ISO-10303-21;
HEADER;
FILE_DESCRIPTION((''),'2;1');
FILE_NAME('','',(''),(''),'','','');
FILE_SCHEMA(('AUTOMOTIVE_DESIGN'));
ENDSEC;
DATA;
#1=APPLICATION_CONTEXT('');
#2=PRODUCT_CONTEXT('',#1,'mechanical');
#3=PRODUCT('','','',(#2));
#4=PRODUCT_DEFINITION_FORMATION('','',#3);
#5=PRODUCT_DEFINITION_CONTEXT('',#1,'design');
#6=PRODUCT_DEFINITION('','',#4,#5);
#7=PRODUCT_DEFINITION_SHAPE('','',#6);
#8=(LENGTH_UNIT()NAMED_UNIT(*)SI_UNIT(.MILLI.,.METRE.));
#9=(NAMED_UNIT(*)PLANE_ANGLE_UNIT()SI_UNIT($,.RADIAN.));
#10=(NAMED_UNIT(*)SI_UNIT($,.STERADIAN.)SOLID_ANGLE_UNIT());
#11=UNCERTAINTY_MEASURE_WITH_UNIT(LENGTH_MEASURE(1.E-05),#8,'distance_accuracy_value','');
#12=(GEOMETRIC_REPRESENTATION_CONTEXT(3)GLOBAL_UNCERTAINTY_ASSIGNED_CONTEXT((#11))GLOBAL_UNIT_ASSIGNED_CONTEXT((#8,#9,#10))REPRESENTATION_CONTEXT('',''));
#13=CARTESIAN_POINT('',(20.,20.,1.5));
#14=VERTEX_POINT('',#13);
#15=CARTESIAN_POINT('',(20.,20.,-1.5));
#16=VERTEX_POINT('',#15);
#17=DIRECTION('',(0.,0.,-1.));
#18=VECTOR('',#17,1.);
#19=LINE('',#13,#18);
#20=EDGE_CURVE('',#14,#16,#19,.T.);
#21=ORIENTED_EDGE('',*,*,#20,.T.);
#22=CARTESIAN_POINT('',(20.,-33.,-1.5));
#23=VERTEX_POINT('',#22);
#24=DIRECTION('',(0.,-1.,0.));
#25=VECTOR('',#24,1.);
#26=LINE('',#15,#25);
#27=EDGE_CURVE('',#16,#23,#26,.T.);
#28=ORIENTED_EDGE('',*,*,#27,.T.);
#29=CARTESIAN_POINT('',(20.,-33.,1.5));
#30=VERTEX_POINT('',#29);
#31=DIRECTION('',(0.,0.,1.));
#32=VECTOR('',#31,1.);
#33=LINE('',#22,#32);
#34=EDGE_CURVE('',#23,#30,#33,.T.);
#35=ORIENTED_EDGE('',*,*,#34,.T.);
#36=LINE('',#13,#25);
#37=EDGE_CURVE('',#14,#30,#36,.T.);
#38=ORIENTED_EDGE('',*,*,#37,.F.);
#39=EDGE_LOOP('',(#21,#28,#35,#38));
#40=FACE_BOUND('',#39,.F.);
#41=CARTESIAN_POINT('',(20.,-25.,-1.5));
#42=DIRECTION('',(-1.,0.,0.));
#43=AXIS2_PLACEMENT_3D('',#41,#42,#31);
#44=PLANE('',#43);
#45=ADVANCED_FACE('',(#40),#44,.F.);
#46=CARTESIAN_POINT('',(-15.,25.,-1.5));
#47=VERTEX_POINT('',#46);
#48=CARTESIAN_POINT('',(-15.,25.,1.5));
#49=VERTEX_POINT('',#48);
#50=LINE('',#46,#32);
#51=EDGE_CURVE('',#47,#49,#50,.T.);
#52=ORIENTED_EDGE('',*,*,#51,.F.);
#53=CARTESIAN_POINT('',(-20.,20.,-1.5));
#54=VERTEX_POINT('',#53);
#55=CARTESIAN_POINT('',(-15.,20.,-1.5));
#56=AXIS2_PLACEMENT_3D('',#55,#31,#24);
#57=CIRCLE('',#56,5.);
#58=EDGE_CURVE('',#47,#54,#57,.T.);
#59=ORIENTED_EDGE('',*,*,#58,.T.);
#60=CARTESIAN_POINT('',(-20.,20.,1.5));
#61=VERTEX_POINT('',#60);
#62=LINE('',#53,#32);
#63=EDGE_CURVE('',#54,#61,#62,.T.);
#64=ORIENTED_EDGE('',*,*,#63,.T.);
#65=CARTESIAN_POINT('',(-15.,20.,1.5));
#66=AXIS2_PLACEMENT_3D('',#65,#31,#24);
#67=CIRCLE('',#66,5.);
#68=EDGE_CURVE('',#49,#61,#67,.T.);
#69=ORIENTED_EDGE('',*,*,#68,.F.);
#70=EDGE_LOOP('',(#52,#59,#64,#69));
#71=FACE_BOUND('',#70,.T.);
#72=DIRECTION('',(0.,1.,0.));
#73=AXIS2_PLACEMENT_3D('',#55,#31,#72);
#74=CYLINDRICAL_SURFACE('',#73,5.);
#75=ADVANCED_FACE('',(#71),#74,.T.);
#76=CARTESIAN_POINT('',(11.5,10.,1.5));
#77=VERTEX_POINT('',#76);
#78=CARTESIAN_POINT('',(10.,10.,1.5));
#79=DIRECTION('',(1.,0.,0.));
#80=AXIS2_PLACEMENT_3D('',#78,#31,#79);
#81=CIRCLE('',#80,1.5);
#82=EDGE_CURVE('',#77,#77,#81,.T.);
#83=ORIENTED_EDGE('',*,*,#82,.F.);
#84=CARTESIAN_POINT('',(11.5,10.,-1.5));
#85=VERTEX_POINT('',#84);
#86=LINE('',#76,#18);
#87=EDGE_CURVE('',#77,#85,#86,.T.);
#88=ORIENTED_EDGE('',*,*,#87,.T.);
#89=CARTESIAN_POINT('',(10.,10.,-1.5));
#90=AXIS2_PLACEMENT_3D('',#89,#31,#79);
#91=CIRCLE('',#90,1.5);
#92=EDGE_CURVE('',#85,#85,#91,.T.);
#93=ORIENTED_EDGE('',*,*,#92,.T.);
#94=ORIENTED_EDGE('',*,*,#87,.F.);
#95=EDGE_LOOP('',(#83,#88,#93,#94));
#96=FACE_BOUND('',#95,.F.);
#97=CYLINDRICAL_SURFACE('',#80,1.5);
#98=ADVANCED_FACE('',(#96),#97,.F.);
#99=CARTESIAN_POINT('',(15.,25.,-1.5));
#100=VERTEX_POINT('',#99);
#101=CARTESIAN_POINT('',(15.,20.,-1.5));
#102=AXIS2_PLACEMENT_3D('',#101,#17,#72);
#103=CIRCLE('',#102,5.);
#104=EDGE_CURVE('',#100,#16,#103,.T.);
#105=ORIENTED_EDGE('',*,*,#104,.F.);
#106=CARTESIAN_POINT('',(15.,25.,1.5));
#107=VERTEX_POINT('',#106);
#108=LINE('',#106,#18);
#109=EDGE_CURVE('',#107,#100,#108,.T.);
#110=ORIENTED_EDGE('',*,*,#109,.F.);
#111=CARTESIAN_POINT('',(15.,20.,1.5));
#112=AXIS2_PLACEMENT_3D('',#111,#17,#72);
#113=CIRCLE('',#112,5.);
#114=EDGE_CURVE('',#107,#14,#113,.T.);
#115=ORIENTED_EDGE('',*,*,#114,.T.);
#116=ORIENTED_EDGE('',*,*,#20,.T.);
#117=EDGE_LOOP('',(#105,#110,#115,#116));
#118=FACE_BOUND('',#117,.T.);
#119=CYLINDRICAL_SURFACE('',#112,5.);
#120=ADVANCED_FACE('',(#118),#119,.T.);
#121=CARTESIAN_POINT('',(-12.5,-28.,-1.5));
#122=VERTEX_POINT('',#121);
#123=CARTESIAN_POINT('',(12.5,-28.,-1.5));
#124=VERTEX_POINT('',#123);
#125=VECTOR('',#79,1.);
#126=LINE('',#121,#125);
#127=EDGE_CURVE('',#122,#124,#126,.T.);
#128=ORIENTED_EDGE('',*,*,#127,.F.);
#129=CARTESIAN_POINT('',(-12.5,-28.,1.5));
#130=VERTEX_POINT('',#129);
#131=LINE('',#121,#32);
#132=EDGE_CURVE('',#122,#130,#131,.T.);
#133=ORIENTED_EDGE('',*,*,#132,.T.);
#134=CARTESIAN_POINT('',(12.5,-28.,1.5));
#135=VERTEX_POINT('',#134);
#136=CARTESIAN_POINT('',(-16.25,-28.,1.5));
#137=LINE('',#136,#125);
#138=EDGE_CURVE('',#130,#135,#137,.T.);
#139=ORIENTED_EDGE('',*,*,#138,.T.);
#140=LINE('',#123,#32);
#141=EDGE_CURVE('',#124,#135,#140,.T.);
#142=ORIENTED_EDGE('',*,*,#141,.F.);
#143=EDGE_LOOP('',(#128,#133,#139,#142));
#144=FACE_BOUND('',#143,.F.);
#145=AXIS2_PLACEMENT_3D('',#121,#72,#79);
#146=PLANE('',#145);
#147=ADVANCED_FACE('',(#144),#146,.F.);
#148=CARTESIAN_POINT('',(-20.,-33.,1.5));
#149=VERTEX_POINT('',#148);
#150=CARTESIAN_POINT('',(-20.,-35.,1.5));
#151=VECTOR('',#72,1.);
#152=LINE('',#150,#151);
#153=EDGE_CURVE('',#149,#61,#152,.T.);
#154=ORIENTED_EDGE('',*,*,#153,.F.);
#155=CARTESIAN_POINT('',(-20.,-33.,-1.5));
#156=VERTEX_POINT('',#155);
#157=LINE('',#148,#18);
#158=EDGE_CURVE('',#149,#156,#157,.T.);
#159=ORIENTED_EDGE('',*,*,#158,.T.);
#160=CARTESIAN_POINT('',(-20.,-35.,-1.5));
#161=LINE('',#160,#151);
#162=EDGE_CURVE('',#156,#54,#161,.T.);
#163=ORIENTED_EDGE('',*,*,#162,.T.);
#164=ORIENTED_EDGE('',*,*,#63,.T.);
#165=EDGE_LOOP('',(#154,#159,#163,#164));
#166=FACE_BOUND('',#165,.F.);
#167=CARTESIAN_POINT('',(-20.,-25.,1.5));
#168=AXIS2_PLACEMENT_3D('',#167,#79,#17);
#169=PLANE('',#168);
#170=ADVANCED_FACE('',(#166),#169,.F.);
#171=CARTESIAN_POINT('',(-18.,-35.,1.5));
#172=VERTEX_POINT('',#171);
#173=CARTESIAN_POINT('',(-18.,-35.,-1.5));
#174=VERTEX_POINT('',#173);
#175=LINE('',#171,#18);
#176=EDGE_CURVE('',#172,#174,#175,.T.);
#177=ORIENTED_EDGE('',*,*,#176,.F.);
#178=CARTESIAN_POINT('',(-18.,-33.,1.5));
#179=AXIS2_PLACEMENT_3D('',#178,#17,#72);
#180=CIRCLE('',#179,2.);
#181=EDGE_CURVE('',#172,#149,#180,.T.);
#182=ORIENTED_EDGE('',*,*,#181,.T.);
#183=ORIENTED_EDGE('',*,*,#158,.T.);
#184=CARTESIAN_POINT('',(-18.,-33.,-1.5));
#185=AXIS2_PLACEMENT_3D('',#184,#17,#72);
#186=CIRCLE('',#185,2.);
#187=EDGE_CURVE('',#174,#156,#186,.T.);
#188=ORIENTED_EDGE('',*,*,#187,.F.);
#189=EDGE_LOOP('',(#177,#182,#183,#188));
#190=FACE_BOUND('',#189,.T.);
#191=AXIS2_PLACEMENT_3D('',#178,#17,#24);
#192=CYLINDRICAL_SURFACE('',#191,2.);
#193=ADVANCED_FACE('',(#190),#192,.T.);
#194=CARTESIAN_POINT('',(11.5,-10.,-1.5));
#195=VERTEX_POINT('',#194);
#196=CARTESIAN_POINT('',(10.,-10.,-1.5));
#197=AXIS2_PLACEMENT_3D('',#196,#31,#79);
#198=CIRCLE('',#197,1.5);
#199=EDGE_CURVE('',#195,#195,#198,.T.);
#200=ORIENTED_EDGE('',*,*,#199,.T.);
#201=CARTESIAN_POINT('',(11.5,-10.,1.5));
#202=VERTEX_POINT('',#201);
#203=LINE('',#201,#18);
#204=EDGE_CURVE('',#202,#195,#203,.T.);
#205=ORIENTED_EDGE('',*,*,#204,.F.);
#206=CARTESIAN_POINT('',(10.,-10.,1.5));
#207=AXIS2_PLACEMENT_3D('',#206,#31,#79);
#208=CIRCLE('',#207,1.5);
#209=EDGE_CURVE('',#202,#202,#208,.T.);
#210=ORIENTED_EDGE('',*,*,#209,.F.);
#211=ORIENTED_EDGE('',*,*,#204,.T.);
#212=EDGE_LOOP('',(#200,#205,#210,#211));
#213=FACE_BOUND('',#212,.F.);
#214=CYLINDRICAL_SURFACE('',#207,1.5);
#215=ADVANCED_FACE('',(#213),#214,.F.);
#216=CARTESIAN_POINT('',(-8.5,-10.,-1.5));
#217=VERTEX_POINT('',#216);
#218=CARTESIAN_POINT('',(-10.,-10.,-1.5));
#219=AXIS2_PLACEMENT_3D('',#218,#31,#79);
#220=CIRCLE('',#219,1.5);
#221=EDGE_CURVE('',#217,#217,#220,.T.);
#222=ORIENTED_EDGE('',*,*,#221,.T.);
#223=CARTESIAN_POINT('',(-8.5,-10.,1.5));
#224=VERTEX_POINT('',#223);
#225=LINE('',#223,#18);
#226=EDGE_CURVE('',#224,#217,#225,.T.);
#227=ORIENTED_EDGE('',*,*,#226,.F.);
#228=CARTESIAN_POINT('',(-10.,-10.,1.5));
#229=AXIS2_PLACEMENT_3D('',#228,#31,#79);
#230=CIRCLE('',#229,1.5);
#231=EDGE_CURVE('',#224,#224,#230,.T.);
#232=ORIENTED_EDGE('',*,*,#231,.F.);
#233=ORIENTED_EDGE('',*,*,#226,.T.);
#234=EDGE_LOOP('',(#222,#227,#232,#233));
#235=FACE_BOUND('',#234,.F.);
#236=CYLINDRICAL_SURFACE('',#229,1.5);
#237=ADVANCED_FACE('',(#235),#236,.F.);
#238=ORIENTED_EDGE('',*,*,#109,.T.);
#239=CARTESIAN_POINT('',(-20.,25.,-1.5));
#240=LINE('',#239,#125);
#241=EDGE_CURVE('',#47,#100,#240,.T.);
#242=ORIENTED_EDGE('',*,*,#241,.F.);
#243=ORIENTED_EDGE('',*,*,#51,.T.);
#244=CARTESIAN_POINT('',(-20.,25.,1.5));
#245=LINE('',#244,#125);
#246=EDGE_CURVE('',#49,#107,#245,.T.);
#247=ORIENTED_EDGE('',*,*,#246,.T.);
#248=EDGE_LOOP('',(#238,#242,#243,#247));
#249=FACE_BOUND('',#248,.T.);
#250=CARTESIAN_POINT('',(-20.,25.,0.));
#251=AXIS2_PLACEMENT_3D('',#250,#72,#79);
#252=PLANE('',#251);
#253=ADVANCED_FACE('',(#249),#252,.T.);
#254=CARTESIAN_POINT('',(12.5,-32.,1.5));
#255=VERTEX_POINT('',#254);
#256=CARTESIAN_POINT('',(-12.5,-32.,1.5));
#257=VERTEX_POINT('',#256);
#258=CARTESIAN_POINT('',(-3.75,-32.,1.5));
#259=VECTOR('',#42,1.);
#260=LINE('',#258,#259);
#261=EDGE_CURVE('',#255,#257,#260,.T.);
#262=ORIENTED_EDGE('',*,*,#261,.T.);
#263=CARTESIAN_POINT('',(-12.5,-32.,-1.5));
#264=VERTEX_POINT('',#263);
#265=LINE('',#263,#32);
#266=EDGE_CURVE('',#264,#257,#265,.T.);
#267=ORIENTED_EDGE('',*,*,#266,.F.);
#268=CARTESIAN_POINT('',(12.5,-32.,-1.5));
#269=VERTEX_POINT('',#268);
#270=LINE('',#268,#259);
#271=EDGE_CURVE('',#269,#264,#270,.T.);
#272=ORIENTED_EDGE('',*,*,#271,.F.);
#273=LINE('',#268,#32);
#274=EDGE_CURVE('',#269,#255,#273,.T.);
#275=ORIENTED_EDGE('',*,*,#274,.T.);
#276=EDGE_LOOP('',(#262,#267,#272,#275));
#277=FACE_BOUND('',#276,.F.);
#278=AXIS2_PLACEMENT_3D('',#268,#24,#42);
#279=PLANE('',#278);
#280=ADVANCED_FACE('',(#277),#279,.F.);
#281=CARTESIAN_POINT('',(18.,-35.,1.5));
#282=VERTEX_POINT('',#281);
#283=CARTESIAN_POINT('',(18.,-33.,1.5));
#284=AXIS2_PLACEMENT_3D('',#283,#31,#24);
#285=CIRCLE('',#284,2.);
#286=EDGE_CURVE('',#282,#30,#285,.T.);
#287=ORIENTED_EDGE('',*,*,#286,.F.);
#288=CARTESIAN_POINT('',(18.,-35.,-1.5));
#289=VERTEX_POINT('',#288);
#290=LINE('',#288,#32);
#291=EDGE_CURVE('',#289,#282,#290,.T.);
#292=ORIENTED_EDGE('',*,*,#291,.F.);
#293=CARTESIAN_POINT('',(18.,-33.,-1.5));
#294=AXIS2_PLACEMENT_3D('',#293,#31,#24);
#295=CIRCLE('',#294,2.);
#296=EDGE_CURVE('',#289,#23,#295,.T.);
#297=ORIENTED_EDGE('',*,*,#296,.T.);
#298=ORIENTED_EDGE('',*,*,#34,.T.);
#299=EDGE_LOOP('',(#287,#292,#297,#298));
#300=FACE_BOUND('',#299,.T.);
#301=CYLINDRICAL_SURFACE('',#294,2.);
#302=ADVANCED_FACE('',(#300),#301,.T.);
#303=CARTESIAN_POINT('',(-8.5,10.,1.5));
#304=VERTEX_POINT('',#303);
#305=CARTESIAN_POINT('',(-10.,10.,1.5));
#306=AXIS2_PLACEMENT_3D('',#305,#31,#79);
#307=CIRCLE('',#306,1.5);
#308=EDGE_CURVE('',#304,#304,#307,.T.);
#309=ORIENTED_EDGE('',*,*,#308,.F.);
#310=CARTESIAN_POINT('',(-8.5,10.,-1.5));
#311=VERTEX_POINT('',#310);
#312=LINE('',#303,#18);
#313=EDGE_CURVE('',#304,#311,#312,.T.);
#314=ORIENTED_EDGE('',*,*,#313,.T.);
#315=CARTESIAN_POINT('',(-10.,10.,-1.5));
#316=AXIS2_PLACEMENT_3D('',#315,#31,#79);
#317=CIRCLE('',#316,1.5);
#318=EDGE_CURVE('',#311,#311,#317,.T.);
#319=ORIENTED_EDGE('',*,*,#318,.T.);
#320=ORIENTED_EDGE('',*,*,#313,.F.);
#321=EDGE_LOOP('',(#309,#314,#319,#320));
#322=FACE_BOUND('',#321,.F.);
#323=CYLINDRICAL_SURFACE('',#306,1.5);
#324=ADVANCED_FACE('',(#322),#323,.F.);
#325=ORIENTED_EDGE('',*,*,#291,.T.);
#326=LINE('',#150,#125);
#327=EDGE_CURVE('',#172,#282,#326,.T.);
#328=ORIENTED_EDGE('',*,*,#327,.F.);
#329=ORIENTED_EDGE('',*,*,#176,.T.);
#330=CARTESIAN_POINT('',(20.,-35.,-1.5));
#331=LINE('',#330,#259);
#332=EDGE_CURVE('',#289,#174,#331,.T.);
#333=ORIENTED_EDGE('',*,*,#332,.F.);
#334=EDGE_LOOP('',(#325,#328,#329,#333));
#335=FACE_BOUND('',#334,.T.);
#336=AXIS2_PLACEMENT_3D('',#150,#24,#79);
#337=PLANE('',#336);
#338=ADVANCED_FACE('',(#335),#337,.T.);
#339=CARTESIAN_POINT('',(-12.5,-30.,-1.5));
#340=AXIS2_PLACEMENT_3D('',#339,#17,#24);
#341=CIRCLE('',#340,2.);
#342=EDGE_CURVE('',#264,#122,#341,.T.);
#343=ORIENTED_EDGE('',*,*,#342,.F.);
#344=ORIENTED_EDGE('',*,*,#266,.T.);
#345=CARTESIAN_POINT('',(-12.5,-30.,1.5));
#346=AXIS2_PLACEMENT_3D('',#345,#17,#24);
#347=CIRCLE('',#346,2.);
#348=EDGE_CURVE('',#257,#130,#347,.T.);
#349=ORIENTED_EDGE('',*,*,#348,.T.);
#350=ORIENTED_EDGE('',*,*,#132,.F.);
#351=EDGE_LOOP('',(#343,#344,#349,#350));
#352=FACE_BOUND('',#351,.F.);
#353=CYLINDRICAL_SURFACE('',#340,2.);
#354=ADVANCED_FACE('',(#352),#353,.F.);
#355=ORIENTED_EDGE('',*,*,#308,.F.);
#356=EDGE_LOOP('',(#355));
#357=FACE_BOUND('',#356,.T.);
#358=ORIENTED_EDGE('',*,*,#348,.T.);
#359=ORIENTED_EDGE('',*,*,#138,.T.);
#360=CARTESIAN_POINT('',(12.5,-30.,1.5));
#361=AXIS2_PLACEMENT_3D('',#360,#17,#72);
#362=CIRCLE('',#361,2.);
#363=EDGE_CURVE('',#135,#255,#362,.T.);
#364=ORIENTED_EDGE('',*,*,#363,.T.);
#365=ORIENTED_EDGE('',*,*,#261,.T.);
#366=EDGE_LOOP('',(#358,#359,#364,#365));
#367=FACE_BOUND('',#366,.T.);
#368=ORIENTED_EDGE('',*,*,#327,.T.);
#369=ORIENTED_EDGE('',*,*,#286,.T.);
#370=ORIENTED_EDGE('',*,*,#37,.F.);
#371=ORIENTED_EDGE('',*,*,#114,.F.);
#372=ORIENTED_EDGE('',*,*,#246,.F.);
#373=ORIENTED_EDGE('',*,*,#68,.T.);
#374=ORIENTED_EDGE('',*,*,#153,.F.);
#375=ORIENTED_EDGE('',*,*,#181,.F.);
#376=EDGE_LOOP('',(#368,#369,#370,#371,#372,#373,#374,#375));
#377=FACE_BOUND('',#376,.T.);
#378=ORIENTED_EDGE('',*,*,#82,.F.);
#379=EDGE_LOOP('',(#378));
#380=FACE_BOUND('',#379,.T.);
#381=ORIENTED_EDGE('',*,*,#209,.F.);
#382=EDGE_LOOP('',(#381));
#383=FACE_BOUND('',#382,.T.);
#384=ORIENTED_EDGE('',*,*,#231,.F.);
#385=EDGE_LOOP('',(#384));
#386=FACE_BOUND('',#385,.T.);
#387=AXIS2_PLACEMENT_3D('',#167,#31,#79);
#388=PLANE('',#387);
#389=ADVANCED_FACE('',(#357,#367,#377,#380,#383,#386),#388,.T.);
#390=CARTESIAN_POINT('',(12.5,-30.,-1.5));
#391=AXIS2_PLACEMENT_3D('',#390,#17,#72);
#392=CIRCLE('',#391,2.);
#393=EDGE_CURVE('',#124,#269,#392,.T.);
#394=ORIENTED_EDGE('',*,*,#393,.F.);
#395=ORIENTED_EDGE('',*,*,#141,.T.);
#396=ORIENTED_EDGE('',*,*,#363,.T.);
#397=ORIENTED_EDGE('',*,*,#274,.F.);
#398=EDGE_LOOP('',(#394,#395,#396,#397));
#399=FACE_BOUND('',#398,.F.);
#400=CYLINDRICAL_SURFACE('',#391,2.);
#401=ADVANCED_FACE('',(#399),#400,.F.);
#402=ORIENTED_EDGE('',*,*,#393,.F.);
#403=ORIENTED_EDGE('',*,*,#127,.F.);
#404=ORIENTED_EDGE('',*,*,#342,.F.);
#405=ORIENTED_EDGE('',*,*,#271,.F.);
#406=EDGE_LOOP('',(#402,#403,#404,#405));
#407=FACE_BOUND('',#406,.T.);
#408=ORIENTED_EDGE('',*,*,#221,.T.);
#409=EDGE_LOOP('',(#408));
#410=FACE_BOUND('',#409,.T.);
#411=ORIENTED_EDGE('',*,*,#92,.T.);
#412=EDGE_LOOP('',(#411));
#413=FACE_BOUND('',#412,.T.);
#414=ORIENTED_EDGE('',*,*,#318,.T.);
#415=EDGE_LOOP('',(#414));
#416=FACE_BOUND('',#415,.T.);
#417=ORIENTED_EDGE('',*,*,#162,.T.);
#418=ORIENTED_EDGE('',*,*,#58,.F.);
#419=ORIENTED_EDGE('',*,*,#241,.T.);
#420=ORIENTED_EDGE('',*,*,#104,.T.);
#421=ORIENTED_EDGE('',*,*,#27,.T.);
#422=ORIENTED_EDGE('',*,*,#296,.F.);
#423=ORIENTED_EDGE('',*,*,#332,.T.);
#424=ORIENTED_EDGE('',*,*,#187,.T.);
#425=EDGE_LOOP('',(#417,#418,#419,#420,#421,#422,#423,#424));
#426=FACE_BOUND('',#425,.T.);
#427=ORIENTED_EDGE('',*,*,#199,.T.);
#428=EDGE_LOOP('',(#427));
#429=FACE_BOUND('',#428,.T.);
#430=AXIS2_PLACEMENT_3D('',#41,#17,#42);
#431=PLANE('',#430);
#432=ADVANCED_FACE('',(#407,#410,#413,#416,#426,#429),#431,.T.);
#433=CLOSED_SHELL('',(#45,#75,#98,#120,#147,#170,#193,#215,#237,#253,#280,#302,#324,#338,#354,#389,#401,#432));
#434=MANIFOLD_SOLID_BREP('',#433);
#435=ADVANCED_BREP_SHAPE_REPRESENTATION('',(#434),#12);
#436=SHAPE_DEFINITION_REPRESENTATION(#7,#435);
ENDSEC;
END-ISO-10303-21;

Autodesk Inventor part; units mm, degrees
sketch "Эскиз1" plane through (0, 0, 0) normal (0, 0, 1) x (1, 0, 0)
  line L0 (-20, 25) -> (20, 25)
  line L1 (20, 25) -> (20, -25)
  line L2 (20, -25) -> (-20, -25)
  line L3 (-20, -25) -> (-20, 25)
  line L4 (-20, 25) -> (20, -25) construction
  line L5 (20, 25) -> (-20, -25) construction
  point P0 (0, 0)
  dimension "d1" = 40
  dimension "d10" = 50
extrude "Выдавливание1" add sketch "Эскиз1" along normal mid plane 3
fillet "Сопряжение1" radius 5 2 edges at (20, 25, 0) (-20, 25, 0)
sketch "Эскиз4" plane through (-20, -25, 1.5) normal (0, -1, 0) x (1, 0, 0)
  line L0 (40, -3) -> (40, 0) projected
  line L1 (0, 0) -> (40, 0) projected
  line L2 (0, 0) -> (0, -3) projected
  line L3 (40, -3) -> (0, -3) projected
  point P0 (20, -1.5)
extrude "Выдавливание4" add sketch "Эскиз4" along normal blind 10
sketch "Эскиз5" plane through (0, 0, -1.5) normal (0, 0, -1) x (-1, 0, 0)
  line L0 (12.5, -30) -> (-12.5, -30) construction
  line L1 (12.5, -28) -> (-12.5, -28)
  line L2 (-12.5, -32) -> (12.5, -32)
  arc A0 (12.5, -32) -> (12.5, -28) centre (12.5, -30) ccw
  arc A1 (-12.5, -28) -> (-12.5, -32) centre (-12.5, -30) ccw
  line L3 (0, -47) -> (0, 37) construction
  line L4 (20, -35) -> (-20, -35) projected
  point P0 (0, 0)
  point P1 (0, -30)
  dimension "d20" = 2
  dimension "d21" = 25
  dimension "d22" = 3
extrude "Выдавливание5" cut sketch "Эскиз5" against normal up to next
fillet "Сопряжение4" radius 2 2 edges at (-20, -35, 0) (20, -35, 0)
sketch "Эскиз6" plane through (0, 0, 1.5) normal (0, 0, 1) x (1, 0, 0)
  circle A0 centre (10, -10) radius 1.5 projected
  circle A1 centre (10, 10) radius 1.5 projected
  circle A2 centre (-10, 10) radius 1.5 projected
  circle A3 centre (-10, -10) radius 1.5 projected
  point P0 (0, 0)
extrude "Выдавливание6" cut sketch "Эскиз6" against normal up to next
properties part number "Фанерка_маркера"
